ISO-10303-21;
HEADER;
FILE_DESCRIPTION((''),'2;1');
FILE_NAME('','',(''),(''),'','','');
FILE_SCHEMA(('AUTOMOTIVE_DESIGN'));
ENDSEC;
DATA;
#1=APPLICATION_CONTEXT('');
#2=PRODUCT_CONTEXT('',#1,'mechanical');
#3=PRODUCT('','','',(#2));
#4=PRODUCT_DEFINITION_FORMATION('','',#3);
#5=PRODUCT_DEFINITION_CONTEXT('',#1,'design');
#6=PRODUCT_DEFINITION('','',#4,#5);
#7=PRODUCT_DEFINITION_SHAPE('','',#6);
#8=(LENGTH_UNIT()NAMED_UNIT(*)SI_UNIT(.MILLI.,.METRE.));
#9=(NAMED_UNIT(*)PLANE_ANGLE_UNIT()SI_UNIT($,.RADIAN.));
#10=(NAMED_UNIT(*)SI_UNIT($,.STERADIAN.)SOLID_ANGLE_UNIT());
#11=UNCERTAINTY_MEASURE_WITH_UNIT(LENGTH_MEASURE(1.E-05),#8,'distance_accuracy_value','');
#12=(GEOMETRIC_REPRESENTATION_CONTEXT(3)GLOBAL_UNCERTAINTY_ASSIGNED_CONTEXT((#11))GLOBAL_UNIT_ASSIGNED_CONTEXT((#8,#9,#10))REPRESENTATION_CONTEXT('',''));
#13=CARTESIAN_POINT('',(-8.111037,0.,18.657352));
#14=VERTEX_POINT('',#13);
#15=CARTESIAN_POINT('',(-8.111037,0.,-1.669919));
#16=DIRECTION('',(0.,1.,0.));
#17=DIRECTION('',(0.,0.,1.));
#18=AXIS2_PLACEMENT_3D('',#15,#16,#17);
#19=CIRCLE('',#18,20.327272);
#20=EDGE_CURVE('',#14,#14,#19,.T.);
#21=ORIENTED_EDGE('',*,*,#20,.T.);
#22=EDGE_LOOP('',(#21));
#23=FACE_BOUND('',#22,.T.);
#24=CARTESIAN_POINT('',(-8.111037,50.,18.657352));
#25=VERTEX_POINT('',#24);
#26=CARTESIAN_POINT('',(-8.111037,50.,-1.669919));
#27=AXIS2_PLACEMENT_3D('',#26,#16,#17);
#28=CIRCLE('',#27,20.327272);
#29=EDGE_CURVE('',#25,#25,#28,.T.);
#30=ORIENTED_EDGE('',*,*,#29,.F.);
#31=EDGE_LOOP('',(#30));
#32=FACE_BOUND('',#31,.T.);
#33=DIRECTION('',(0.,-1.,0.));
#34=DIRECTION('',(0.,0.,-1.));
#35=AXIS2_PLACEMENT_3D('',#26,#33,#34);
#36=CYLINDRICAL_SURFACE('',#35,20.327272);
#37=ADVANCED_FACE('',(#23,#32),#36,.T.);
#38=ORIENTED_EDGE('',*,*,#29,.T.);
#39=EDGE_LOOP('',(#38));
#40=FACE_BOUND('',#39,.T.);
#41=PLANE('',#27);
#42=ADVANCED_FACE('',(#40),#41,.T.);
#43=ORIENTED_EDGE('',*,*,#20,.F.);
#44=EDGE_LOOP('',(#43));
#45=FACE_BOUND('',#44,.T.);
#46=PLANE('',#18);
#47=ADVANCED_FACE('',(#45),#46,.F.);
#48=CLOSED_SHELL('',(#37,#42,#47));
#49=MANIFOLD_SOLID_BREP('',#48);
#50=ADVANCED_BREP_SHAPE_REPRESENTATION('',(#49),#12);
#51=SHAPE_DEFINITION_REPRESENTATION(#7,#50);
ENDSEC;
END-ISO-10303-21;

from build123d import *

# Parameters (mm, degrees)
SKETCH_1_R      = 20.32727185
EXTRUDE_3_DEPTH = 50


with BuildPart() as part:
    # 草图1 → 凸台-拉伸3 (new body)
    with BuildSketch(Plane(origin=(0, 0, 0), x_dir=(1, 0, 0), z_dir=(0, 1, 0))):
        with Locations((-8.111037495, 1.669919484)):
            Circle(SKETCH_1_R)
    extrude(amount=EXTRUDE_3_DEPTH)


solid = part.part
